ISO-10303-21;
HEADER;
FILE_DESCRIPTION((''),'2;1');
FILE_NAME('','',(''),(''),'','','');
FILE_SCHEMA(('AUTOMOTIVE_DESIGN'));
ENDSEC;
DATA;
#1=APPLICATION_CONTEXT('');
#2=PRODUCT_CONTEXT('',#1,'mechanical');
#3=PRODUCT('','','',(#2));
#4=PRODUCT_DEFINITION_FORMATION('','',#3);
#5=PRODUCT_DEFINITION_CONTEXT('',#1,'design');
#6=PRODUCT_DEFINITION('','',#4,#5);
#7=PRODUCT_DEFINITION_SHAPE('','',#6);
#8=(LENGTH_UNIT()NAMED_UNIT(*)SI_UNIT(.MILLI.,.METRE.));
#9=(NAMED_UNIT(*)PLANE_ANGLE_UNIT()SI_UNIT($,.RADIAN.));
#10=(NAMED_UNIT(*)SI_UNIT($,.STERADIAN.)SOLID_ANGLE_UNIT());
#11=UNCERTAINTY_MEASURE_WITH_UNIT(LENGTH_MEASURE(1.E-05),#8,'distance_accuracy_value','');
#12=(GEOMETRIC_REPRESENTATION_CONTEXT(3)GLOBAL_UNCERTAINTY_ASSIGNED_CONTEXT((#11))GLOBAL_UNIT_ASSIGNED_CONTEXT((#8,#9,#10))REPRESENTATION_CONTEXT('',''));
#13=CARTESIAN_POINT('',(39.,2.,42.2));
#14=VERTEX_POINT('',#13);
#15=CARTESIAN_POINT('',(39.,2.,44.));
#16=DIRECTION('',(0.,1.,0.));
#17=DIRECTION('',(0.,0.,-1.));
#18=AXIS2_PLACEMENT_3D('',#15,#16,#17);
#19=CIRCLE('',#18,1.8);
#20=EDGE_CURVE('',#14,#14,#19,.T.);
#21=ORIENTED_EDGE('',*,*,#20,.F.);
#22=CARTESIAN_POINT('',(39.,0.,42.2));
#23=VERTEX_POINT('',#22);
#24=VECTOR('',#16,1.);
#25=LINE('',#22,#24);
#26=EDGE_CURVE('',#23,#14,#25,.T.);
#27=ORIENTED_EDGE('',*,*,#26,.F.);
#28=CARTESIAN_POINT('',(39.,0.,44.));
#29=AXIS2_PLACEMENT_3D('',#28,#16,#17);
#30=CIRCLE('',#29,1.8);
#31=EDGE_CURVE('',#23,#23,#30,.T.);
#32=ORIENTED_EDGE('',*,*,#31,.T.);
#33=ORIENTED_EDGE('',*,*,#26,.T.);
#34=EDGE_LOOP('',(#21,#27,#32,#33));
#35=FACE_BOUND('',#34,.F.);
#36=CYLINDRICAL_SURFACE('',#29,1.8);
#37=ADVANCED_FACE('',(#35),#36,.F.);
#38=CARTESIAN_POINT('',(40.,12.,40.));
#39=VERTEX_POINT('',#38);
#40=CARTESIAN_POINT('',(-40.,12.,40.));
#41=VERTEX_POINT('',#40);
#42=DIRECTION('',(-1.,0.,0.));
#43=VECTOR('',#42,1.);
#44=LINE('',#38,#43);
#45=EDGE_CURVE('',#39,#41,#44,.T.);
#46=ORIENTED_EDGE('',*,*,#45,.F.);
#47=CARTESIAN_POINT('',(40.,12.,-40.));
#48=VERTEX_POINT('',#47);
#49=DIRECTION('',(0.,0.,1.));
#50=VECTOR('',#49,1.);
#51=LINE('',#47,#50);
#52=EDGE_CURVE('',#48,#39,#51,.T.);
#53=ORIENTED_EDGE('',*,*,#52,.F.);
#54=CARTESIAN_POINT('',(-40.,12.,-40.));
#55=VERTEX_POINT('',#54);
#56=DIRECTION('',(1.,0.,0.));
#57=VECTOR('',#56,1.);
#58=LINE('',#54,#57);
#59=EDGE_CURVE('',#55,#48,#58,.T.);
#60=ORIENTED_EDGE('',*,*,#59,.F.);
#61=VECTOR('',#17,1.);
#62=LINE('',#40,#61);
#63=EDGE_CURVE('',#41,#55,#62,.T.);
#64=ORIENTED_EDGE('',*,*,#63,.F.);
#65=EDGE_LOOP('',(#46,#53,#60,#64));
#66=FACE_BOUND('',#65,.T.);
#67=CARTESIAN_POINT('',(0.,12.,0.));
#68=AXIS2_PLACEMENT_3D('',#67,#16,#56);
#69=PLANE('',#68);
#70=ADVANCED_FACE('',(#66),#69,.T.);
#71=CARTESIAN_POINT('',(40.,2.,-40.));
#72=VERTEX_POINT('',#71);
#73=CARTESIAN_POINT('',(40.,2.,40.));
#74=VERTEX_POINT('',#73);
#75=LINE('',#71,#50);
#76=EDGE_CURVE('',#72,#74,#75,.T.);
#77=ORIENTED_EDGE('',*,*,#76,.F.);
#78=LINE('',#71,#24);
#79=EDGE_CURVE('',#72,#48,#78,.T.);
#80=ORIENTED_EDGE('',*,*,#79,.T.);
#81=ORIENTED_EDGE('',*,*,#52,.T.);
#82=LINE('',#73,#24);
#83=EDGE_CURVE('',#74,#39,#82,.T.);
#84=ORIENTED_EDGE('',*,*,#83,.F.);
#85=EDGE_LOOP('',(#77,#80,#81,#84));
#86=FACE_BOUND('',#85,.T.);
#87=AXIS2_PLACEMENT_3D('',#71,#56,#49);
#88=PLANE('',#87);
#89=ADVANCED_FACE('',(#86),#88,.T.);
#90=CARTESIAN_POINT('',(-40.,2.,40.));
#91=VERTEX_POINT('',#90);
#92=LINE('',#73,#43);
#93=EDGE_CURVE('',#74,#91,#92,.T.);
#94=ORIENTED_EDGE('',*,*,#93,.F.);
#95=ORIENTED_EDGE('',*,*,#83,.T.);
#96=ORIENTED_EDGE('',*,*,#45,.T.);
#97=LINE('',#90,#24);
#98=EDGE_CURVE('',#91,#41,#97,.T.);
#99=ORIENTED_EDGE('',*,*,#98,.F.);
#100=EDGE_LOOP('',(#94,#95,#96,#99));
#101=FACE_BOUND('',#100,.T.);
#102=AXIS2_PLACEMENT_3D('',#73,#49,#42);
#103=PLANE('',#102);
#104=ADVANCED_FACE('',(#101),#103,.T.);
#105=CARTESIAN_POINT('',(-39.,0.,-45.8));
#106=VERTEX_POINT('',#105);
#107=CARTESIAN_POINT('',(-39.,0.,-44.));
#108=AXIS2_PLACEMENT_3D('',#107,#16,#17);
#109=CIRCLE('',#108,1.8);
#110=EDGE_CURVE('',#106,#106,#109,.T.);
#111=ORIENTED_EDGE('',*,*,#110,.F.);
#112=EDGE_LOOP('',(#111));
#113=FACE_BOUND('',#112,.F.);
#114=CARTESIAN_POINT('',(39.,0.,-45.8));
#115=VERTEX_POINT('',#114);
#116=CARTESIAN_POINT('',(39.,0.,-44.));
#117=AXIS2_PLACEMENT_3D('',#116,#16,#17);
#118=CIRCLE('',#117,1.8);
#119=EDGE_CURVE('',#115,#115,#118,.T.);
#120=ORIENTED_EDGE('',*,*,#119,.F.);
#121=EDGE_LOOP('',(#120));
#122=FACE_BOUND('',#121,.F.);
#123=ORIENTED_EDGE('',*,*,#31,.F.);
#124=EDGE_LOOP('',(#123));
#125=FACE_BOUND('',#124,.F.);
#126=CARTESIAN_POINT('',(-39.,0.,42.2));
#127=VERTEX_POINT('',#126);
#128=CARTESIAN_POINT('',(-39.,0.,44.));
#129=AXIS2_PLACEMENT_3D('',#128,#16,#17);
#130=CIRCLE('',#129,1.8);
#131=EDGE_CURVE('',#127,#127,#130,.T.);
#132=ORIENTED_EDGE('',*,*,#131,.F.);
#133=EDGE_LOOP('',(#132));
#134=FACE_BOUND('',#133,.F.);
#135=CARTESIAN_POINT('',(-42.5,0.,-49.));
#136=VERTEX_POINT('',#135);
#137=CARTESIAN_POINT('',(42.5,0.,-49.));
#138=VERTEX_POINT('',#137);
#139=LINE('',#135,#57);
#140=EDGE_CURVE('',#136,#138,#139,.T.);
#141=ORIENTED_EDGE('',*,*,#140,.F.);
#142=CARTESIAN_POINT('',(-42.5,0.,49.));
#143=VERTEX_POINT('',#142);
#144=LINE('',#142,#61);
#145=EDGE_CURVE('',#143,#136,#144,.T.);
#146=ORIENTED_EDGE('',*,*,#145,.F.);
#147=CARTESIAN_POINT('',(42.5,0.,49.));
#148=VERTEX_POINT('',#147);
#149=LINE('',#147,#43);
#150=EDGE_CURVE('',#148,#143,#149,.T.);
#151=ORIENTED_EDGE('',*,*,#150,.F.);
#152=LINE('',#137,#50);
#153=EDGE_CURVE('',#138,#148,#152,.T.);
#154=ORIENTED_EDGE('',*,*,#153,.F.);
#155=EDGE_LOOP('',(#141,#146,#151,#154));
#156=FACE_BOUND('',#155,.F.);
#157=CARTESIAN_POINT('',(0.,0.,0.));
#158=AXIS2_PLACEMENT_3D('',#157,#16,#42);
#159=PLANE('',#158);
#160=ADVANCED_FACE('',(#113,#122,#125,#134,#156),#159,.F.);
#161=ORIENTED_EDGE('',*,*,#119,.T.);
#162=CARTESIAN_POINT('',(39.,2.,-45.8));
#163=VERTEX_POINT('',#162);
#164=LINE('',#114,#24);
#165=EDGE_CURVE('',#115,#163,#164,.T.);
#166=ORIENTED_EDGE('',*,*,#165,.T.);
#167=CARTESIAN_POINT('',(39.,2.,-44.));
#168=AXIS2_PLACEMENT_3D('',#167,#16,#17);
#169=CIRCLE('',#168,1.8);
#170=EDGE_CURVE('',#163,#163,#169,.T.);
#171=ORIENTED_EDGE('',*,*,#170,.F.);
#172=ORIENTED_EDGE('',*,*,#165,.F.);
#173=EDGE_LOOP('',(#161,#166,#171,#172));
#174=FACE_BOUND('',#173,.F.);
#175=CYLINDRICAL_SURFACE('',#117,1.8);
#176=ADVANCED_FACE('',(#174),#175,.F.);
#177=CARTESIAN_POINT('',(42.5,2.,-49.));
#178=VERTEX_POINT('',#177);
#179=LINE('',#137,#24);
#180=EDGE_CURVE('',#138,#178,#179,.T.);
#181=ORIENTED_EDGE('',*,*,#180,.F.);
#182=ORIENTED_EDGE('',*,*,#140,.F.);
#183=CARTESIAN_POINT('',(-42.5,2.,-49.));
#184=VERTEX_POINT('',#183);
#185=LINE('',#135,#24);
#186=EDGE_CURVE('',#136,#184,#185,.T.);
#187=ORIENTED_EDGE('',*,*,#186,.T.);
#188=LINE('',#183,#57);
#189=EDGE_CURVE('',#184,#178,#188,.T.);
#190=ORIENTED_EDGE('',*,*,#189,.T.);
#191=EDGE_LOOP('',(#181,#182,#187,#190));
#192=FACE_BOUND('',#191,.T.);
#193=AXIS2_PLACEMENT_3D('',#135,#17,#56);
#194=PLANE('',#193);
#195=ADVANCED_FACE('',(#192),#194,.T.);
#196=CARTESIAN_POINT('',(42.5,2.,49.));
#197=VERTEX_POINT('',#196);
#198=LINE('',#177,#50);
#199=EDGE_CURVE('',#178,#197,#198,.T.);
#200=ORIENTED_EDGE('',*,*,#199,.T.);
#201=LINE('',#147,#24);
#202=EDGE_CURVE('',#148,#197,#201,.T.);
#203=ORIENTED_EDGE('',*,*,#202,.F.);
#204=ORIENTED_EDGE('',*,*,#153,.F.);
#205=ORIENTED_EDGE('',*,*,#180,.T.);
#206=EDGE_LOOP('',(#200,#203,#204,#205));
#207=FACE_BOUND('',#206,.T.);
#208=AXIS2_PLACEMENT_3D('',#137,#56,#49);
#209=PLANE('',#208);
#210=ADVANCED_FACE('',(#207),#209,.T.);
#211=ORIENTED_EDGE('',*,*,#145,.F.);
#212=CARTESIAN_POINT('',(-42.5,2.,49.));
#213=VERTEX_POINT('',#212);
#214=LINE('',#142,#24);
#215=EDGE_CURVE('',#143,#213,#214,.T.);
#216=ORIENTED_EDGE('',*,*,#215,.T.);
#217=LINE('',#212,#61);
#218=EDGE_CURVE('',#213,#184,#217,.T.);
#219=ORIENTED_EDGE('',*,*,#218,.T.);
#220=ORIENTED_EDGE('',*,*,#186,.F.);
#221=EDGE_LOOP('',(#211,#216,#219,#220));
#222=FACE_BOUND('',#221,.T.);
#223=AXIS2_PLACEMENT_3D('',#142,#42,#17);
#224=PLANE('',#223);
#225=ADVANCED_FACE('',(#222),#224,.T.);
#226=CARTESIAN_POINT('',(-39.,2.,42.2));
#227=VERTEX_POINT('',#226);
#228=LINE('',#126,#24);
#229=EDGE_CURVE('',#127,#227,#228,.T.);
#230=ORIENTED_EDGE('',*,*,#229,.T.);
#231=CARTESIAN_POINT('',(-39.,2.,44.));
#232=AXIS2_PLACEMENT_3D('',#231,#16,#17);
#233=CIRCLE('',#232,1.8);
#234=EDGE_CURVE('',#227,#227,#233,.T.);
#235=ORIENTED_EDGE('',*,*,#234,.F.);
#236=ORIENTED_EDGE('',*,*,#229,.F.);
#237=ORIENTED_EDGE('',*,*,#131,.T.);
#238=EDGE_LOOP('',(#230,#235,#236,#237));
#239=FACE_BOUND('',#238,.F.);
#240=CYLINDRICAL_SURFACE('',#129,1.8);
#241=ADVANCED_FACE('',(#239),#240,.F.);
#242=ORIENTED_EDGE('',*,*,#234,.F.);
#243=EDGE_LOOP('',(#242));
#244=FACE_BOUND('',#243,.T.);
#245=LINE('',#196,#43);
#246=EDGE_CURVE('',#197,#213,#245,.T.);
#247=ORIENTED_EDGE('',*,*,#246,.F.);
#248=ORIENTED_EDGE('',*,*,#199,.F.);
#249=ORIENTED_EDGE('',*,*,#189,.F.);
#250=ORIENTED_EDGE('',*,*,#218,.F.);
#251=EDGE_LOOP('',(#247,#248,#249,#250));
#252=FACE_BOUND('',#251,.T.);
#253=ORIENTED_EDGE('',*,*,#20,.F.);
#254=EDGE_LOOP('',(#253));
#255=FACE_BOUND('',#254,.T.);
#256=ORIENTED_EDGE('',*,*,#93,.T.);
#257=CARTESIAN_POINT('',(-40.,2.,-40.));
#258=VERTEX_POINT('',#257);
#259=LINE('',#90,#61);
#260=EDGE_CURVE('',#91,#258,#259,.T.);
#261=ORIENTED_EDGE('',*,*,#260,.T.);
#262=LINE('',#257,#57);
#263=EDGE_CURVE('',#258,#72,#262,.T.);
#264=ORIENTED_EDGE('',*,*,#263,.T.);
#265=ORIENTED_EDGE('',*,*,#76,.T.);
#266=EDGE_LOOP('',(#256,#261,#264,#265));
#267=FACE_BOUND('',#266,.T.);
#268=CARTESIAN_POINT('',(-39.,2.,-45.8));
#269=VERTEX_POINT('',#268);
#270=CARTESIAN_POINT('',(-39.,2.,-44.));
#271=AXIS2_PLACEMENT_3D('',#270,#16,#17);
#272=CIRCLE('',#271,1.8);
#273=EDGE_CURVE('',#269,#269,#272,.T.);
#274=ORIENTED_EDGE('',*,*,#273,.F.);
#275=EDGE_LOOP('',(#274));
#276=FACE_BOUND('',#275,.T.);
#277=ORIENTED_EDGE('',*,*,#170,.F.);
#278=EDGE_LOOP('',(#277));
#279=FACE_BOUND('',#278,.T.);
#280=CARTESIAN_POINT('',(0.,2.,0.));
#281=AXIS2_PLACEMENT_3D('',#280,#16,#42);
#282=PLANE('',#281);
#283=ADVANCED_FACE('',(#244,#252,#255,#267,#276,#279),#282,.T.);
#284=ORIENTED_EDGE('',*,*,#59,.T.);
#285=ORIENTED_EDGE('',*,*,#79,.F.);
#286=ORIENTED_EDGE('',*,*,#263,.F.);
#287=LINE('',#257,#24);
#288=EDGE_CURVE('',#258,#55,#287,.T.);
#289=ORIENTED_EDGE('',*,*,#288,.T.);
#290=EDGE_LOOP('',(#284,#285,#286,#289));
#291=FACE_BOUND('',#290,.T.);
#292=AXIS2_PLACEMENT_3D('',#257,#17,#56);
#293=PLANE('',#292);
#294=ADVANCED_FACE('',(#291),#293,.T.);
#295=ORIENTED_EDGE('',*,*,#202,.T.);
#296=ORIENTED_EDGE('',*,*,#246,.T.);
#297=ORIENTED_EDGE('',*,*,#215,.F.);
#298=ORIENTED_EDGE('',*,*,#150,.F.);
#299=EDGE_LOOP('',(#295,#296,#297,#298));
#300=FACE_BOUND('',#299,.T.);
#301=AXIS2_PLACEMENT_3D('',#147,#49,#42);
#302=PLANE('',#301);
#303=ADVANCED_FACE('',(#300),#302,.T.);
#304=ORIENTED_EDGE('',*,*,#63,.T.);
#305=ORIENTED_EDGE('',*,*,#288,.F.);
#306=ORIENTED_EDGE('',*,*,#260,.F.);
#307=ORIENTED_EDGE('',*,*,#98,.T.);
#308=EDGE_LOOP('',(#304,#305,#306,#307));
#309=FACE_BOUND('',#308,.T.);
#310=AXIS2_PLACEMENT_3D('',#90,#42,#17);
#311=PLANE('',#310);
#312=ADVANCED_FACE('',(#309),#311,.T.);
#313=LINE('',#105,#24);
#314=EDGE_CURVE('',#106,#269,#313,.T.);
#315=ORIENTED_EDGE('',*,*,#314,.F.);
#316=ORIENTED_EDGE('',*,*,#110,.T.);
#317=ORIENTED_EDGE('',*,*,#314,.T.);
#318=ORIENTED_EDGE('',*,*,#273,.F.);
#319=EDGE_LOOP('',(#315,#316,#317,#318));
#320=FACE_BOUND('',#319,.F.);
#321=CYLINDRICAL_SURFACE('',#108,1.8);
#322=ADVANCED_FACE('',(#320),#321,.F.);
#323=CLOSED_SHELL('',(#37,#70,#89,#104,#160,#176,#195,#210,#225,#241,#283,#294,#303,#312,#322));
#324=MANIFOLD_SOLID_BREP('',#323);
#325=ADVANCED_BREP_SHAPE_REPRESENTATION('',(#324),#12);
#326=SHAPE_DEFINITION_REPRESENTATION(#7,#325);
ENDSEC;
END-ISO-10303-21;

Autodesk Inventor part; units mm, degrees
ref_plane "YZ Plane" through (0, 0, 0) normal (1, 0, 0) x (0, 1, 0)
ref_plane "XZ Plane" through (0, 0, 0) normal (0, 1, 0) x (-1, 0, 0)
ref_plane "XY Plane" through (0, 0, 0) normal (0, 0, 1) x (1, 0, 0)
sketch "Sketch1" plane through (0, 0, 0) normal (0, 1, 0) x (-1, 0, 0)
  line L0 (-42.5, 49) -> (42.5, 49)
  line L1 (42.5, 49) -> (42.5, -49)
  line L2 (42.5, -49) -> (-42.5, -49)
  line L3 (-42.5, -49) -> (-42.5, 49)
  line L4 (-42.5, 49) -> (42.5, -49) construction
  line L5 (42.5, 49) -> (-42.5, -49) construction
  line L6 (-39, 44) -> (39, 44) construction
  line L7 (39, 44) -> (39, -44) construction
  line L8 (39, -44) -> (-39, -44) construction
  line L9 (-39, -44) -> (-39, 44) construction
  line L10 (-39, 44) -> (39, -44) construction
  line L11 (39, 44) -> (-39, -44) construction
  point P0 (0, 0)
  dimension "d0" = 85
  dimension "d1" = 98
  dimension "d2" = 78
  dimension "d3" = 88
extrude "Extrusion1" add sketch "Sketch1" along normal blind 2
hole "Hole1" at (39, 0, 44) at (39, 0, -44) at (-39, 0, -44) at (-39, 0, 44) direction (0, 1, 0) diameter 3.6 end through all clearance for "Socket Head Cap Screw ISO 4762" size "M3" standard "ISO"
sketch "Sketch2" plane through (0, 2, 0) normal (0, 1, 0) x (1, 0, 0)
  line L0 (40, -40) -> (-40, -40)
  line L1 (-40, -40) -> (-40, 40)
  line L2 (-40, 40) -> (40, 40)
  line L3 (40, 40) -> (40, -40)
  line L4 (40, -40) -> (-40, 40) construction
  line L5 (-40, -40) -> (40, 40) construction
  point P0 (0, 0)
  dimension "d13" = 80
  dimension "d14" = 80
extrude "Extrusion2" add sketch "Sketch2" along normal blind 10
properties part number "mainboard"
